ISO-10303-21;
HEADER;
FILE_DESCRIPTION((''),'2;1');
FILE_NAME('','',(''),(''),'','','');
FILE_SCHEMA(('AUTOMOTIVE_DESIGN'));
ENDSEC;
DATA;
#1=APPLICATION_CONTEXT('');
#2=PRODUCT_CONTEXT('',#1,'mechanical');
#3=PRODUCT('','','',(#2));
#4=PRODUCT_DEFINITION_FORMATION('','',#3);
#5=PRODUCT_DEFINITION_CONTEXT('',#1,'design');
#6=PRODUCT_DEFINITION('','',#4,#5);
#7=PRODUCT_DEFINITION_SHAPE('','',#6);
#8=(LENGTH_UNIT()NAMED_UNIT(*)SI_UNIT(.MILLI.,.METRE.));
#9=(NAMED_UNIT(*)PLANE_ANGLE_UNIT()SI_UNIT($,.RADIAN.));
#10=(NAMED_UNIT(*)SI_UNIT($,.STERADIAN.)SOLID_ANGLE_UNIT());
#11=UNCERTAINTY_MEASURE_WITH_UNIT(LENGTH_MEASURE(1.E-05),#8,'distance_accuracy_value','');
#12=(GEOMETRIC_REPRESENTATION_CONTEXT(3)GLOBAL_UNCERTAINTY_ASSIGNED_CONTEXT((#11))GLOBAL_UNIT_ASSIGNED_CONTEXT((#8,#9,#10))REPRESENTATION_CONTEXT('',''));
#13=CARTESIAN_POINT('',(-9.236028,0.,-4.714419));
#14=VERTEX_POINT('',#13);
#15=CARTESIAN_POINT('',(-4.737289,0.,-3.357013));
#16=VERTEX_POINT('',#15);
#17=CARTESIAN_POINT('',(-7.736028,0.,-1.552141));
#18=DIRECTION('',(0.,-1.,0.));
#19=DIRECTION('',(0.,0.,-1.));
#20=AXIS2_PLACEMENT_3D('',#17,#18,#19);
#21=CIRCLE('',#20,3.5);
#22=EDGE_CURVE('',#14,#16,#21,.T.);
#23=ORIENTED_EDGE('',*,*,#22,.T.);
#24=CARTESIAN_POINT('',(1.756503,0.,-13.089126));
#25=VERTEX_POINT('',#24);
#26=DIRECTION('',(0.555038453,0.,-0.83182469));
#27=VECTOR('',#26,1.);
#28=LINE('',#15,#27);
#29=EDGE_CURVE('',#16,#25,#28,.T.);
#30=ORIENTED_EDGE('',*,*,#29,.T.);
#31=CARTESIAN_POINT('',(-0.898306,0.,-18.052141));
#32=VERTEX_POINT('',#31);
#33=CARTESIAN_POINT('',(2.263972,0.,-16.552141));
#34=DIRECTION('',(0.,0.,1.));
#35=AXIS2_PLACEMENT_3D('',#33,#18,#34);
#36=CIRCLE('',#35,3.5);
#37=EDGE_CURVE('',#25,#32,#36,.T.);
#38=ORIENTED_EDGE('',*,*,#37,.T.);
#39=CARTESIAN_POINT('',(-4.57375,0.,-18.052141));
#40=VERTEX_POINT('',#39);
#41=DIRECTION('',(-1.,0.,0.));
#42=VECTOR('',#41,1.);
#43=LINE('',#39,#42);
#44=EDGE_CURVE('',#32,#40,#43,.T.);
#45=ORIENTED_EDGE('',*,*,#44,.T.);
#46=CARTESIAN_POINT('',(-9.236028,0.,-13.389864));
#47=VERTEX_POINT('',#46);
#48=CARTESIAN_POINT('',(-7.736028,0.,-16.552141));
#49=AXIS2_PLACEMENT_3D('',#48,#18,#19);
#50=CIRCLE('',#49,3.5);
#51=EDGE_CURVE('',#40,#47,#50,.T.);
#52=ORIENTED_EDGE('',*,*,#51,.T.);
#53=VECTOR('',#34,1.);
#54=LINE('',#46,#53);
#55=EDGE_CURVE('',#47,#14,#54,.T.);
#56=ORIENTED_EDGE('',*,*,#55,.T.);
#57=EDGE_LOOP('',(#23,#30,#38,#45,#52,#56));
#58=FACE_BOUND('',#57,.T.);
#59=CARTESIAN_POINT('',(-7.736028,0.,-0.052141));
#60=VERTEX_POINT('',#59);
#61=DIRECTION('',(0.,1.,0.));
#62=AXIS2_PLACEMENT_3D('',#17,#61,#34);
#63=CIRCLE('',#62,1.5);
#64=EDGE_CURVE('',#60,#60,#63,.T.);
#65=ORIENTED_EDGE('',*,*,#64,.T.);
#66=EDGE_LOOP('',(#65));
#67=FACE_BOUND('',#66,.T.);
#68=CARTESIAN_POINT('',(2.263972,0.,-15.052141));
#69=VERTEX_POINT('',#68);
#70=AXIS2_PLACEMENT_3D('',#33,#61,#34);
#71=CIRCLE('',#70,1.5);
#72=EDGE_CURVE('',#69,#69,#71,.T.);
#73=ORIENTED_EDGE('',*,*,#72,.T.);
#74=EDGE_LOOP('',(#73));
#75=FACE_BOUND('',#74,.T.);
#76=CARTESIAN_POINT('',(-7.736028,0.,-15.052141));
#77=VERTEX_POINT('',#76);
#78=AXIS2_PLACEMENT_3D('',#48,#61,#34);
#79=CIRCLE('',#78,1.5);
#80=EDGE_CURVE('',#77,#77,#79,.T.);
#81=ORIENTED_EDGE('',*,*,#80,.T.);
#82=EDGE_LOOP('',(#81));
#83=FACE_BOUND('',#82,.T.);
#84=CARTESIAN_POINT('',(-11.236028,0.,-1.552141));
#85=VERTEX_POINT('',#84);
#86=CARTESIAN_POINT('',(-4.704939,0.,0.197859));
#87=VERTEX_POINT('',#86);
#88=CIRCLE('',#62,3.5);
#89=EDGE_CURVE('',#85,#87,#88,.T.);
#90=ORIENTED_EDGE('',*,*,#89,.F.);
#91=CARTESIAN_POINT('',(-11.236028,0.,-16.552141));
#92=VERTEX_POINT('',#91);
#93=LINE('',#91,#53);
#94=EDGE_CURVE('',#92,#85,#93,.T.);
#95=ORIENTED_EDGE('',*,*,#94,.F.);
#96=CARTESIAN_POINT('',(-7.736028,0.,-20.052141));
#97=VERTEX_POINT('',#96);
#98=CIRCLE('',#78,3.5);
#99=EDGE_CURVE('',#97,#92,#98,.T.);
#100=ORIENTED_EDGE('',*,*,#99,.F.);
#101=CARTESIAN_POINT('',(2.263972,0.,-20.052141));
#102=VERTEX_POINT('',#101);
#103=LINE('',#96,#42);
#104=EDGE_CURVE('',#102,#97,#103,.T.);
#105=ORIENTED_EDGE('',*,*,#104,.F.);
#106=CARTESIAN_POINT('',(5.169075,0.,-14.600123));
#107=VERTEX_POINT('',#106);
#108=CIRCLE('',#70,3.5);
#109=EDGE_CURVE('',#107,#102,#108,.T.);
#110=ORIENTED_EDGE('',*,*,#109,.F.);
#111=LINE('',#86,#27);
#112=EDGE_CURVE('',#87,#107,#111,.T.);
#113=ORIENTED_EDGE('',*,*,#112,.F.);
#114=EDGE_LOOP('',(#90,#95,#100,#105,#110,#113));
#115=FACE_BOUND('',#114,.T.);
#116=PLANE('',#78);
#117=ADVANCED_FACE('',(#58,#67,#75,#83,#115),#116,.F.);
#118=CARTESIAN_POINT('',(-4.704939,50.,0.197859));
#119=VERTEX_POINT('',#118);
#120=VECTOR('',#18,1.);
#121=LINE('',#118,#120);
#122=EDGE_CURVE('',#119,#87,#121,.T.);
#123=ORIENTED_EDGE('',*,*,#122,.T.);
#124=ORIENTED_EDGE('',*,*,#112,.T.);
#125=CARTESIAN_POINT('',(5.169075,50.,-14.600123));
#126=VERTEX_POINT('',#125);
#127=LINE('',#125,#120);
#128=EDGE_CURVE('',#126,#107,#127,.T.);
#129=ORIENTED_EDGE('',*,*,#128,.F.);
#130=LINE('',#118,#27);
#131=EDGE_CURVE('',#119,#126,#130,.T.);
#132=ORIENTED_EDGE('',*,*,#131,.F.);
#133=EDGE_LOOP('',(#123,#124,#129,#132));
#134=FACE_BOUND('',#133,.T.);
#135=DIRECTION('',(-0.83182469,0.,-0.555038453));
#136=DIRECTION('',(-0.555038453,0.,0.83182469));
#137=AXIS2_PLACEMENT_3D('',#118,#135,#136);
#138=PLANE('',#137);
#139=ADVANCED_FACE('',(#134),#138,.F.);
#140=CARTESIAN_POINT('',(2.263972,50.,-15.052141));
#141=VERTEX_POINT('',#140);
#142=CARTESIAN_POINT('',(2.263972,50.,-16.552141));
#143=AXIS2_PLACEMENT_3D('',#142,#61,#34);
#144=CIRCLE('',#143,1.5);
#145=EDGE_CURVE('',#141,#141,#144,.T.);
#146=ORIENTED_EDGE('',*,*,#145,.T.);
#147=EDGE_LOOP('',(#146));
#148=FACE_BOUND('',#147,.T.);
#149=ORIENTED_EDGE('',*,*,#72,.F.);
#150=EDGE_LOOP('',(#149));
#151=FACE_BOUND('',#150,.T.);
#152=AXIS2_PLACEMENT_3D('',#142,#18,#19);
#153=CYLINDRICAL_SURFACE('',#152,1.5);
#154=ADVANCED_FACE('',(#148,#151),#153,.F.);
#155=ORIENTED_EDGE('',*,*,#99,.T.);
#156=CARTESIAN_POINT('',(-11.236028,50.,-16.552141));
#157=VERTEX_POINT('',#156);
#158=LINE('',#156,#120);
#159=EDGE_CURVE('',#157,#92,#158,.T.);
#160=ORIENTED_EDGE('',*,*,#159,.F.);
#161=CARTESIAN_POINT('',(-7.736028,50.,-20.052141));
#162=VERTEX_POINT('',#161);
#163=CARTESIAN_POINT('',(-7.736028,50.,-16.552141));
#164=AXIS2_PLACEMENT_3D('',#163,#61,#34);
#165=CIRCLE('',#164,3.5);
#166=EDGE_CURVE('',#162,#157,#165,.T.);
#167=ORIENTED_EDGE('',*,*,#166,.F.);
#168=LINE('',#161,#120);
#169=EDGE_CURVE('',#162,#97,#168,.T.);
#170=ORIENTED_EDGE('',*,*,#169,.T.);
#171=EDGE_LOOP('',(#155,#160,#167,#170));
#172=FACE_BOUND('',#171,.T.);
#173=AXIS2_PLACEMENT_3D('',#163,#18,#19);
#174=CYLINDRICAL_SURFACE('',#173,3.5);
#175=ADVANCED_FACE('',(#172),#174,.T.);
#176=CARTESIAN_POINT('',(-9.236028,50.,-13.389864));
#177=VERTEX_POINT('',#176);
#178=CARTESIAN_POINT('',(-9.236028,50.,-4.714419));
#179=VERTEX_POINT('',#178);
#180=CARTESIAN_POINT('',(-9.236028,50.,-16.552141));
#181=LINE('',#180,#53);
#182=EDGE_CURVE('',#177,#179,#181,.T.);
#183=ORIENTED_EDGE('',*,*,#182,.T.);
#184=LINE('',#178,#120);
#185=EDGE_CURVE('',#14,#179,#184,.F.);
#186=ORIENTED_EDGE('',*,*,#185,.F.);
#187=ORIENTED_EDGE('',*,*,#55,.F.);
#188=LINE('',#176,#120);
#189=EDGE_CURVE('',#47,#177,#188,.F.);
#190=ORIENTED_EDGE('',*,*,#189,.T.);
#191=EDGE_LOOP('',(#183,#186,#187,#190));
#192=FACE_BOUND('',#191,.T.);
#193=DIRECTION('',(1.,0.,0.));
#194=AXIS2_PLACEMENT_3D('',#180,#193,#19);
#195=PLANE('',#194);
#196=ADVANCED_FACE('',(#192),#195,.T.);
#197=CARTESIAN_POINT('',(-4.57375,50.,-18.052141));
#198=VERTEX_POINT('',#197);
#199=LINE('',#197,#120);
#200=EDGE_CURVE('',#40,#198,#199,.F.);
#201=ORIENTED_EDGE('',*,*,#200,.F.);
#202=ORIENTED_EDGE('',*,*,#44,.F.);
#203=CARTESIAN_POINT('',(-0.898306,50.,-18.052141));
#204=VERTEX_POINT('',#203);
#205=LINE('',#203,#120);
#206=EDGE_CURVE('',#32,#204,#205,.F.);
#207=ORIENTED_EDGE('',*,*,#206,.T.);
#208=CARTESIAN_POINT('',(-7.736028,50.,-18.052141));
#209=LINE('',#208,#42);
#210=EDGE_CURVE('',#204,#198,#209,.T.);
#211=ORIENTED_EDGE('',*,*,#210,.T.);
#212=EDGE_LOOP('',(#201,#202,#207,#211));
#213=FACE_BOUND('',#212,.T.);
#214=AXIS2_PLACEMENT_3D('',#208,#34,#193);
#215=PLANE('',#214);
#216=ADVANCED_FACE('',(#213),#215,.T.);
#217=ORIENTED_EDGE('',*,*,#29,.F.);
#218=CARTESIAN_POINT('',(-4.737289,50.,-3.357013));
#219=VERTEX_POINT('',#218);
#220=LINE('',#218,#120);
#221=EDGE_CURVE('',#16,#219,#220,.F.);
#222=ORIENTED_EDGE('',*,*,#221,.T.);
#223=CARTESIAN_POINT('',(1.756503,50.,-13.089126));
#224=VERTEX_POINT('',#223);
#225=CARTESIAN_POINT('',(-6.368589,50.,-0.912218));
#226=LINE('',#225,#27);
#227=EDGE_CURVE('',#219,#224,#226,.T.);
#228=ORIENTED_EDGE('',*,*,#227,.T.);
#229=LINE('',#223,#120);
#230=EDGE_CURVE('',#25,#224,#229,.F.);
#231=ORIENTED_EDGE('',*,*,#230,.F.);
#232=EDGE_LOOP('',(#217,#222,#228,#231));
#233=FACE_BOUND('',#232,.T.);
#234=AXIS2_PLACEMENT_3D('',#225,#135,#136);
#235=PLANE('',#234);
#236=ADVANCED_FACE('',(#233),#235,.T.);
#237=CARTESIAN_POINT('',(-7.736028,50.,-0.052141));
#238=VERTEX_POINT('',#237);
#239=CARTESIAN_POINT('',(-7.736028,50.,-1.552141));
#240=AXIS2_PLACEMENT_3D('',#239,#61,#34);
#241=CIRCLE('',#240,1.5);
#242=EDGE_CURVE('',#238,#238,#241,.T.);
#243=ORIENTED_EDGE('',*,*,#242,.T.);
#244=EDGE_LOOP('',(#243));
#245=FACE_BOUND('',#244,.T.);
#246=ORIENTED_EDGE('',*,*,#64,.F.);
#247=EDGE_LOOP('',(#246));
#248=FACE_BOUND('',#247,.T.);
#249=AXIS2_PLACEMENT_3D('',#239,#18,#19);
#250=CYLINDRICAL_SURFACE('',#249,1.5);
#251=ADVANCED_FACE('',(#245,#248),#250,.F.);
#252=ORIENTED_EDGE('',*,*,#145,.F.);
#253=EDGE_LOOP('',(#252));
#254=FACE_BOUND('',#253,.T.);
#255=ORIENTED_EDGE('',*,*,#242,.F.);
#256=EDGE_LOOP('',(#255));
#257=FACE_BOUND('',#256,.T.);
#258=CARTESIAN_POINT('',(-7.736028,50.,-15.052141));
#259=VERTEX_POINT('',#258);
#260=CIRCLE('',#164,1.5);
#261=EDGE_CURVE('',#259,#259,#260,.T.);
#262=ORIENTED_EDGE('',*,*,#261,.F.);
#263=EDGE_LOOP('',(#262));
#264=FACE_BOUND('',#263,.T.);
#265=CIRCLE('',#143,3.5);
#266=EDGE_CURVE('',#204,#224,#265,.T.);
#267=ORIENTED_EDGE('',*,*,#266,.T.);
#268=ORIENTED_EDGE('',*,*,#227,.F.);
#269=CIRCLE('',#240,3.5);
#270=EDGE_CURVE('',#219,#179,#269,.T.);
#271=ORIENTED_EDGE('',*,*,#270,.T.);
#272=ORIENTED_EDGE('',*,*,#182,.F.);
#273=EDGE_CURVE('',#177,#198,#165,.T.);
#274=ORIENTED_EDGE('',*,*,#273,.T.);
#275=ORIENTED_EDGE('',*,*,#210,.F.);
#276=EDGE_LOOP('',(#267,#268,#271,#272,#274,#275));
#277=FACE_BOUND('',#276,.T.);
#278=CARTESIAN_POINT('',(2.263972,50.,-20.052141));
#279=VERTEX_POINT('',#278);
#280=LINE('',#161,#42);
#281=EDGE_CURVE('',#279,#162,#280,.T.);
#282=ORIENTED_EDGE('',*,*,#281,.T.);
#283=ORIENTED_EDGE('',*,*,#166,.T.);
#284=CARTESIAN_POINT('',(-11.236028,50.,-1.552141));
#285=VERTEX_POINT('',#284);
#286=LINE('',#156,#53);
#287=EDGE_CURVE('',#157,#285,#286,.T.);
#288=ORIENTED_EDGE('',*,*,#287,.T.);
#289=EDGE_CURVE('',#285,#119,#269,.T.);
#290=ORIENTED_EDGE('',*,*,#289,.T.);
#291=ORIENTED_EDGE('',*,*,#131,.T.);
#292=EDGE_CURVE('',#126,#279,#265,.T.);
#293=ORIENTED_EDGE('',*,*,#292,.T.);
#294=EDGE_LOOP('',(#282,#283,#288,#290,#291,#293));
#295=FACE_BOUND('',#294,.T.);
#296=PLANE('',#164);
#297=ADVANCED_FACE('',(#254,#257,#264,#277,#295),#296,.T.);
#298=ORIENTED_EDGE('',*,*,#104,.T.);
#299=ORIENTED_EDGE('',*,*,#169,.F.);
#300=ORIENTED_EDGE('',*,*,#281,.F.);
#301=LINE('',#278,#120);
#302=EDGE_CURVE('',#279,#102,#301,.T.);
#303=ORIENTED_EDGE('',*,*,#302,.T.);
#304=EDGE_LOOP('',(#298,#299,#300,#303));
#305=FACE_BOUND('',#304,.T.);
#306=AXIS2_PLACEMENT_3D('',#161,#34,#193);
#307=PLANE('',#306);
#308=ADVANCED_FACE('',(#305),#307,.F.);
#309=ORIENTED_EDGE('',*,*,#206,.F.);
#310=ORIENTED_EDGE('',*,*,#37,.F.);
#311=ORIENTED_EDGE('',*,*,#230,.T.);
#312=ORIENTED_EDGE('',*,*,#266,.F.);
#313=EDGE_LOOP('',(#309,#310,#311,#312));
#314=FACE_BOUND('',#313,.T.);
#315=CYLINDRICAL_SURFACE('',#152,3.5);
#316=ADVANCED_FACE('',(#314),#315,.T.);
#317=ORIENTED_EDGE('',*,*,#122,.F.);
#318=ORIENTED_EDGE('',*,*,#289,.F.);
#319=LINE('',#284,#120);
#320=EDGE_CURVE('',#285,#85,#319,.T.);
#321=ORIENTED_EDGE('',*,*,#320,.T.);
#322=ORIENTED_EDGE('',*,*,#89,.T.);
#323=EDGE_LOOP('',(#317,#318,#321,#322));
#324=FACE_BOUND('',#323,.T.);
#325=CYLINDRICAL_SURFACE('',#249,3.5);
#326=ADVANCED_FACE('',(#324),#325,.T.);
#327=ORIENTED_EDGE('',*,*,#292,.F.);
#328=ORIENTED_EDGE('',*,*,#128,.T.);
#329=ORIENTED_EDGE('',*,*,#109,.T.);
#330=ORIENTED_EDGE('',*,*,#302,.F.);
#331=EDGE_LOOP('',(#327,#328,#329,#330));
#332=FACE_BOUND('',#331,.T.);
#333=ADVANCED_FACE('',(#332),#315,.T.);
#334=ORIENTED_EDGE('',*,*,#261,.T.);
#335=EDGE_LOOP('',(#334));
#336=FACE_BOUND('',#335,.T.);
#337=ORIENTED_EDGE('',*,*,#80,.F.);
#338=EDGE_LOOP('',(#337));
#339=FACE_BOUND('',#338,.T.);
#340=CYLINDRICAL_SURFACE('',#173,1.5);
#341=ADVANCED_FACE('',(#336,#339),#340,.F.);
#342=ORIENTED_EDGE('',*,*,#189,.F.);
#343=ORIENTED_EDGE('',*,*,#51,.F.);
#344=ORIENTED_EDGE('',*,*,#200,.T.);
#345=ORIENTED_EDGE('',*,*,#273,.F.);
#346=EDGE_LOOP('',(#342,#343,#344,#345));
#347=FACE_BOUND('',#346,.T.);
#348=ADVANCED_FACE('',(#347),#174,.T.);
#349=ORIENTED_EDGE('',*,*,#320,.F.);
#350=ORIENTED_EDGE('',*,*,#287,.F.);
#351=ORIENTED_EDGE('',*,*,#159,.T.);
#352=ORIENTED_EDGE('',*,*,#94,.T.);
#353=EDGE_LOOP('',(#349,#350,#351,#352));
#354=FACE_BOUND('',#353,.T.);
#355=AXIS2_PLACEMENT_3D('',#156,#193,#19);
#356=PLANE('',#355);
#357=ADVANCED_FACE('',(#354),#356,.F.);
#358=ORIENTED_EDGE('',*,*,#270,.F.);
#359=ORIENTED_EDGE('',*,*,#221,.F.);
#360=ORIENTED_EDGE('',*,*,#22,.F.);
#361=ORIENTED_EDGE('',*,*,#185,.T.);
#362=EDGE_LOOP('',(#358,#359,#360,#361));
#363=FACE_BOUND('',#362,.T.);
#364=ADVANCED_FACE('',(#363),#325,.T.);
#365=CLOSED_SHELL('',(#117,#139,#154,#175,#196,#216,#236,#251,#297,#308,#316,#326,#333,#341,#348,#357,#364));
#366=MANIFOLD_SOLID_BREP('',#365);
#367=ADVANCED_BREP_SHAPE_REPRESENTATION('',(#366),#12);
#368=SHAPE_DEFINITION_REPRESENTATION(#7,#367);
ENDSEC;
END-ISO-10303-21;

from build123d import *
from build123d.topology import SkipClean

# Parameters (mm, degrees)
SKETCH1_R           = 1.5
BOSS_EXTRUDE1_DEPTH = 50
SHELL2_T            = -2
CUT_EXTRUDE1_DEPTH  = 54.219702176


with BuildPart() as part:
    # Sketch1 → Boss-Extrude1 (new body)
    with BuildSketch(Plane(origin=(0, 0, 0), x_dir=(1, 0, 0), z_dir=(0, 1, 0))):
        with BuildLine():
            Line((-11.236028054, 16.552141364), (-11.236028054, 1.552141364))
            ThreePointArc((-11.236028054, 1.552141364), (-8.641894712, -1.828599028), (-4.704939141, -0.197858636))
            Line((-4.704939141, -0.197858636), (5.169075286, 14.600123285))
            ThreePointArc((5.169075286, 14.600123285), (5.352827986, 18.19803576), (2.263971946, 20.052141364))
            Line((2.263971946, 20.052141364), (-7.736028054, 20.052141364))
            ThreePointArc((-7.736028054, 20.052141364), (-10.210901788, 19.027015098), (-11.236028054, 16.552141364))
        make_face()
        with Locations(Location((-7.736028054, 16.552141364, 0), (0, 0, 270))):
            Circle(SKETCH1_R, mode=Mode.SUBTRACT)
        with Locations(Location((2.263971946, 16.552141364, 0), (0, 0, 270))):
            Circle(SKETCH1_R, mode=Mode.SUBTRACT)
        with Locations(Location((-7.736028054, 1.552141364, 0), (0, 0, 270))):
            Circle(SKETCH1_R, mode=Mode.SUBTRACT)
    extrude(amount=BOSS_EXTRUDE1_DEPTH)

    # Shell2
    shell2_openings = [part.faces().sort_by_distance(p)[0] for p in [
        (-4.434629852, 50, -10.910758817),
    ]]
    offset(amount=SHELL2_T, openings=shell2_openings)

    # Sketch2 → Cut-Extrude1 (cut, through all)
    with SkipClean():  # the faces are left unmerged after this step: merging them gives an invalid solid
        with BuildSketch(Plane(origin=(0, 2, 0), x_dir=(1, 0, 0), z_dir=(0, 1, 0))):
            with BuildLine():
                Line((-9.236028054, 13.389863704), (-9.236028054, 4.714419024))
                ThreePointArc((-9.236028054, 4.714419024), (-6.72499281, 4.90293347), (-4.737288861, 3.357013451))
                Line((-4.737288861, 3.357013451), (1.75650333, 13.089125972))
                ThreePointArc((1.75650333, 13.089125972), (-0.822229583, 14.901274888), (-0.898305714, 18.052141364))
                Line((-0.898305714, 18.052141364), (-4.573750394, 18.052141364))
                ThreePointArc((-4.573750394, 18.052141364), (-5.26115432, 14.07726763), (-9.236028054, 13.389863704))
            make_face()
        extrude(amount=-CUT_EXTRUDE1_DEPTH, mode=Mode.SUBTRACT)


solid = part.part
